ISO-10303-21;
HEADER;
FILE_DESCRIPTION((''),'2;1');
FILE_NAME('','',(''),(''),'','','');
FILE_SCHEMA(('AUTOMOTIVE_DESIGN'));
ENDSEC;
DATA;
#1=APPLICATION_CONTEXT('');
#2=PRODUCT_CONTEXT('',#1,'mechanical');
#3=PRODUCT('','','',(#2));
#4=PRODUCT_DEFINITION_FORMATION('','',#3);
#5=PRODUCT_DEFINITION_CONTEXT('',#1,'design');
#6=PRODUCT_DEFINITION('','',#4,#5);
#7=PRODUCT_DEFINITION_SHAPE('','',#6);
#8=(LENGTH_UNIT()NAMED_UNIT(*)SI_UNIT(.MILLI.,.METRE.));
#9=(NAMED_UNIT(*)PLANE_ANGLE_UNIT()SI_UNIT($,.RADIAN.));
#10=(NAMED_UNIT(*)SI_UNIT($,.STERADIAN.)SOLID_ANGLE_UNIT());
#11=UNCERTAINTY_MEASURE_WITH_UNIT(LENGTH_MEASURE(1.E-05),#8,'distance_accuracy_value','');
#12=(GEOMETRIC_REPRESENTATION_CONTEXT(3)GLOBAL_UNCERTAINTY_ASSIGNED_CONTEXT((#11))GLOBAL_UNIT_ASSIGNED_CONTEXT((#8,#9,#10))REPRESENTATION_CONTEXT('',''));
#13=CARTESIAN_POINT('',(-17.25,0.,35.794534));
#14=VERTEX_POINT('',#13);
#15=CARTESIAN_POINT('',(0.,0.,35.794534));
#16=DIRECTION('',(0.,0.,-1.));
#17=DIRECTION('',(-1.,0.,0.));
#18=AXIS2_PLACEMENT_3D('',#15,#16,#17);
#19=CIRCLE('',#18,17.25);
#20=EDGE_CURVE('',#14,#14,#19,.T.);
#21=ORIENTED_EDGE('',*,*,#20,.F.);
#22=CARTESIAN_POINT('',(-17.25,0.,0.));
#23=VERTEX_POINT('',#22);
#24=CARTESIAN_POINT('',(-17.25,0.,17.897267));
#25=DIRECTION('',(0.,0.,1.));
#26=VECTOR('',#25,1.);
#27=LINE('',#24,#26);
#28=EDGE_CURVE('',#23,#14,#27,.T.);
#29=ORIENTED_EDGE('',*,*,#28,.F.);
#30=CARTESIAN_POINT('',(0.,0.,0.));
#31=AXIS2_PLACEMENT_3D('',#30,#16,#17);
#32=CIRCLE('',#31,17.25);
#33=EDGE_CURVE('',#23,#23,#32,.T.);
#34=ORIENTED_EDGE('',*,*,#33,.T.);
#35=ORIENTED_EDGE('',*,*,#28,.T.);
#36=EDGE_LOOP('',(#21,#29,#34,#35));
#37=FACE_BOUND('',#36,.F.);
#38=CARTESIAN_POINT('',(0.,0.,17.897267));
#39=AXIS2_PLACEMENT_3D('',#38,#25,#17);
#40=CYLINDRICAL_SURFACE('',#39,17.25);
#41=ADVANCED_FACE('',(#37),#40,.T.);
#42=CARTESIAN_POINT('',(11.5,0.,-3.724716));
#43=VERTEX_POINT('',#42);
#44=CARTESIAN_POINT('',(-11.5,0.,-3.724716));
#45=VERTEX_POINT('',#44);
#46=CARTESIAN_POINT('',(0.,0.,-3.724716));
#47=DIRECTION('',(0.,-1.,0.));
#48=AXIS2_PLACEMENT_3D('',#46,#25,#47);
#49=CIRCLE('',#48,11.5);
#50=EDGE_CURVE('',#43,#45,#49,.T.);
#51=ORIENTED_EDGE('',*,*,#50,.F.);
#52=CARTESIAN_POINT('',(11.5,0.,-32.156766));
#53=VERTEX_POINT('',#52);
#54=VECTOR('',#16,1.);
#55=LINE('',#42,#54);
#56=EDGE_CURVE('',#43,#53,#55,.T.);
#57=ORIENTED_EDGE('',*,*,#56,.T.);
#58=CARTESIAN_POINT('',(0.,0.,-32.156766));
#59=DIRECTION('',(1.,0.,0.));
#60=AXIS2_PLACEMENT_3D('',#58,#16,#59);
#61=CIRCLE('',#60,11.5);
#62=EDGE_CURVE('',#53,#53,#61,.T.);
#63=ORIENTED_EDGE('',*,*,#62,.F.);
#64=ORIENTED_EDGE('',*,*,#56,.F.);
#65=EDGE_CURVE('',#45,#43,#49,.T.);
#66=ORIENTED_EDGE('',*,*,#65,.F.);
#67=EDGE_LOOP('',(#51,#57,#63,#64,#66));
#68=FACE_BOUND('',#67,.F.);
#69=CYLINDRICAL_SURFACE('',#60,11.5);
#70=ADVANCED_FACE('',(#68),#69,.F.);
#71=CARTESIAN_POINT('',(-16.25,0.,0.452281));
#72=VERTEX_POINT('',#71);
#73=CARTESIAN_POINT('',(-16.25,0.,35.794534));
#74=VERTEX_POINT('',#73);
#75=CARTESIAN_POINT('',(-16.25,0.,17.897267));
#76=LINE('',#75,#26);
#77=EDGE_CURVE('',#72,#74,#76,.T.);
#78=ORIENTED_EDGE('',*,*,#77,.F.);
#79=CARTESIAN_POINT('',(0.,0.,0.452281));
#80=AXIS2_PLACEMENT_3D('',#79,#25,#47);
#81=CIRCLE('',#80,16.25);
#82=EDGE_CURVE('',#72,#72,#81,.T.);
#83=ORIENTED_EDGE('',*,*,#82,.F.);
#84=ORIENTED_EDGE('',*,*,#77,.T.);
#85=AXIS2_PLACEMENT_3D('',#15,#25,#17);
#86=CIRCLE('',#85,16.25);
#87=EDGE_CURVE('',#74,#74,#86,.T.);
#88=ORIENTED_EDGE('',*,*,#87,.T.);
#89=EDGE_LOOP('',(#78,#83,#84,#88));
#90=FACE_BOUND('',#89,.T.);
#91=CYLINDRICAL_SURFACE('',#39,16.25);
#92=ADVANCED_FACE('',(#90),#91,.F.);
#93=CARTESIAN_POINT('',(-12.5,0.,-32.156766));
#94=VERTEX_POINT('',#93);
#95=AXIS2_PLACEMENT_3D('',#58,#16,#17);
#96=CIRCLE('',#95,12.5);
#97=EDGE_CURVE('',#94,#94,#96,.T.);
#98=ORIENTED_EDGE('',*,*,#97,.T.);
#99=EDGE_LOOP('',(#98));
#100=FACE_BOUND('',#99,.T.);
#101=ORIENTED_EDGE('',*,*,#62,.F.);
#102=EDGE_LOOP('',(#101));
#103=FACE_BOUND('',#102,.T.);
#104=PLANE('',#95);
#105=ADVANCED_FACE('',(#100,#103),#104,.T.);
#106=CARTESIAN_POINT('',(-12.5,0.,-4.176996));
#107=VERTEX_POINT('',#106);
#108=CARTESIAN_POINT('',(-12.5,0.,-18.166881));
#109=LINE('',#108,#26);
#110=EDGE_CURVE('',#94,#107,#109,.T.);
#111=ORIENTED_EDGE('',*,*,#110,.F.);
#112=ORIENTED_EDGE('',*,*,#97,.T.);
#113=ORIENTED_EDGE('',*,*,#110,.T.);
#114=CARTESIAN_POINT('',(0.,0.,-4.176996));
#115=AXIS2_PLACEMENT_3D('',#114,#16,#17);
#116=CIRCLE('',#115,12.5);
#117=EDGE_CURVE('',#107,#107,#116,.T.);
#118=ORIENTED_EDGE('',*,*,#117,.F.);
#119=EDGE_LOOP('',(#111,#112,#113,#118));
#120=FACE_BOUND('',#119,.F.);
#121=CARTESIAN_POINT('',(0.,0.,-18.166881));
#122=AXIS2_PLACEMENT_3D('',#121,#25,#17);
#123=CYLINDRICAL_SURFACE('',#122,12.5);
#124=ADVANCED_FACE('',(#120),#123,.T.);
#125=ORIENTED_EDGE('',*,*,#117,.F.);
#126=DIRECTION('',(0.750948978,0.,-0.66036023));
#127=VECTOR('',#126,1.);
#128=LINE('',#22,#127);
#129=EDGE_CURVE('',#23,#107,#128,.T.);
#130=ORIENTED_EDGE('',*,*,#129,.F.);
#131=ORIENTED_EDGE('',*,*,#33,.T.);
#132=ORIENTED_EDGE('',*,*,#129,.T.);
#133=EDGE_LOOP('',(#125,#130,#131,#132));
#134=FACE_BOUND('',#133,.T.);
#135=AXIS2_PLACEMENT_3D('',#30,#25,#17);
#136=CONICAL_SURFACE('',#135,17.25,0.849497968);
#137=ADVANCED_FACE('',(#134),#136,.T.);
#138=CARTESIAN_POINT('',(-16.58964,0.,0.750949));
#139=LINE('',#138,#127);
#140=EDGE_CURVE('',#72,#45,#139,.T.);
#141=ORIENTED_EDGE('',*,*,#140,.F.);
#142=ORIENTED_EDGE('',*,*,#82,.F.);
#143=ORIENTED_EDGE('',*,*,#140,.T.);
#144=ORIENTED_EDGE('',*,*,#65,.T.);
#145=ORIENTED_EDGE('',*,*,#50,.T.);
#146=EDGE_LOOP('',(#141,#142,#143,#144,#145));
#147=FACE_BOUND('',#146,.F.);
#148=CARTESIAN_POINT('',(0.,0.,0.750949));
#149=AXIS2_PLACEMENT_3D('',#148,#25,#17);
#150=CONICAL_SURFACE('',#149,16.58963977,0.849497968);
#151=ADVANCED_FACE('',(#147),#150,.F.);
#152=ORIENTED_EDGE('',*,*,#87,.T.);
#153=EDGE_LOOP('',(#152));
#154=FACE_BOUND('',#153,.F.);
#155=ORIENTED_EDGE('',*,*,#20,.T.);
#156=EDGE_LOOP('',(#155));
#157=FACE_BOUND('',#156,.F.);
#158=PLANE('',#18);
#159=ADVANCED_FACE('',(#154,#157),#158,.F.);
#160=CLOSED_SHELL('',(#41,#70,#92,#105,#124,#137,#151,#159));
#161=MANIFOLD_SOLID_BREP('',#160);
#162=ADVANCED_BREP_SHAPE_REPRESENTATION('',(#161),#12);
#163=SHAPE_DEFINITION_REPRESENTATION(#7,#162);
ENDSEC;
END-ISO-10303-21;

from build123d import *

# Parameters (mm, degrees)
F0_W     = 17.25
F0_H     = 35.7945342632
F0_W_2   = 12.5
F0_H_2   = 27.9797699204
F3_T     = -1
F2_R     = 11.5
F4_DEPTH = 40


with BuildPart() as f1:
    # F0 (on Front) → F1 (revolve)
    with BuildSketch(Plane.XZ):
        with Locations((-8.625, 17.8972671316)):
            Rectangle(F0_W, F0_H)
        Polygon((0, -4.1769962882), (0, 0), (-17.25, 0), (-12.5, -4.1769962882), align=None)
        with Locations((-6.25, -18.1668812483)):
            Rectangle(F0_W_2, F0_H_2)
    revolve(axis=Axis((0, 0, 1.8188840273), (0, 0, -1)))

    # F3
    f3_openings = [f1.faces().sort_by_distance(p)[0] for p in [
        (0, 0, 35.794534),
    ]]
    offset(amount=F3_T, openings=f3_openings, kind=Kind.INTERSECTION)

    # F2 (on face) → F4 (cut)
    with BuildSketch(Plane(origin=(0, 0, -32.1567662085), x_dir=(1, 0, 0), z_dir=(0, 0, -1))):
        Circle(F2_R)
    extrude(amount=-F4_DEPTH, mode=Mode.SUBTRACT)


solid = f1.part
